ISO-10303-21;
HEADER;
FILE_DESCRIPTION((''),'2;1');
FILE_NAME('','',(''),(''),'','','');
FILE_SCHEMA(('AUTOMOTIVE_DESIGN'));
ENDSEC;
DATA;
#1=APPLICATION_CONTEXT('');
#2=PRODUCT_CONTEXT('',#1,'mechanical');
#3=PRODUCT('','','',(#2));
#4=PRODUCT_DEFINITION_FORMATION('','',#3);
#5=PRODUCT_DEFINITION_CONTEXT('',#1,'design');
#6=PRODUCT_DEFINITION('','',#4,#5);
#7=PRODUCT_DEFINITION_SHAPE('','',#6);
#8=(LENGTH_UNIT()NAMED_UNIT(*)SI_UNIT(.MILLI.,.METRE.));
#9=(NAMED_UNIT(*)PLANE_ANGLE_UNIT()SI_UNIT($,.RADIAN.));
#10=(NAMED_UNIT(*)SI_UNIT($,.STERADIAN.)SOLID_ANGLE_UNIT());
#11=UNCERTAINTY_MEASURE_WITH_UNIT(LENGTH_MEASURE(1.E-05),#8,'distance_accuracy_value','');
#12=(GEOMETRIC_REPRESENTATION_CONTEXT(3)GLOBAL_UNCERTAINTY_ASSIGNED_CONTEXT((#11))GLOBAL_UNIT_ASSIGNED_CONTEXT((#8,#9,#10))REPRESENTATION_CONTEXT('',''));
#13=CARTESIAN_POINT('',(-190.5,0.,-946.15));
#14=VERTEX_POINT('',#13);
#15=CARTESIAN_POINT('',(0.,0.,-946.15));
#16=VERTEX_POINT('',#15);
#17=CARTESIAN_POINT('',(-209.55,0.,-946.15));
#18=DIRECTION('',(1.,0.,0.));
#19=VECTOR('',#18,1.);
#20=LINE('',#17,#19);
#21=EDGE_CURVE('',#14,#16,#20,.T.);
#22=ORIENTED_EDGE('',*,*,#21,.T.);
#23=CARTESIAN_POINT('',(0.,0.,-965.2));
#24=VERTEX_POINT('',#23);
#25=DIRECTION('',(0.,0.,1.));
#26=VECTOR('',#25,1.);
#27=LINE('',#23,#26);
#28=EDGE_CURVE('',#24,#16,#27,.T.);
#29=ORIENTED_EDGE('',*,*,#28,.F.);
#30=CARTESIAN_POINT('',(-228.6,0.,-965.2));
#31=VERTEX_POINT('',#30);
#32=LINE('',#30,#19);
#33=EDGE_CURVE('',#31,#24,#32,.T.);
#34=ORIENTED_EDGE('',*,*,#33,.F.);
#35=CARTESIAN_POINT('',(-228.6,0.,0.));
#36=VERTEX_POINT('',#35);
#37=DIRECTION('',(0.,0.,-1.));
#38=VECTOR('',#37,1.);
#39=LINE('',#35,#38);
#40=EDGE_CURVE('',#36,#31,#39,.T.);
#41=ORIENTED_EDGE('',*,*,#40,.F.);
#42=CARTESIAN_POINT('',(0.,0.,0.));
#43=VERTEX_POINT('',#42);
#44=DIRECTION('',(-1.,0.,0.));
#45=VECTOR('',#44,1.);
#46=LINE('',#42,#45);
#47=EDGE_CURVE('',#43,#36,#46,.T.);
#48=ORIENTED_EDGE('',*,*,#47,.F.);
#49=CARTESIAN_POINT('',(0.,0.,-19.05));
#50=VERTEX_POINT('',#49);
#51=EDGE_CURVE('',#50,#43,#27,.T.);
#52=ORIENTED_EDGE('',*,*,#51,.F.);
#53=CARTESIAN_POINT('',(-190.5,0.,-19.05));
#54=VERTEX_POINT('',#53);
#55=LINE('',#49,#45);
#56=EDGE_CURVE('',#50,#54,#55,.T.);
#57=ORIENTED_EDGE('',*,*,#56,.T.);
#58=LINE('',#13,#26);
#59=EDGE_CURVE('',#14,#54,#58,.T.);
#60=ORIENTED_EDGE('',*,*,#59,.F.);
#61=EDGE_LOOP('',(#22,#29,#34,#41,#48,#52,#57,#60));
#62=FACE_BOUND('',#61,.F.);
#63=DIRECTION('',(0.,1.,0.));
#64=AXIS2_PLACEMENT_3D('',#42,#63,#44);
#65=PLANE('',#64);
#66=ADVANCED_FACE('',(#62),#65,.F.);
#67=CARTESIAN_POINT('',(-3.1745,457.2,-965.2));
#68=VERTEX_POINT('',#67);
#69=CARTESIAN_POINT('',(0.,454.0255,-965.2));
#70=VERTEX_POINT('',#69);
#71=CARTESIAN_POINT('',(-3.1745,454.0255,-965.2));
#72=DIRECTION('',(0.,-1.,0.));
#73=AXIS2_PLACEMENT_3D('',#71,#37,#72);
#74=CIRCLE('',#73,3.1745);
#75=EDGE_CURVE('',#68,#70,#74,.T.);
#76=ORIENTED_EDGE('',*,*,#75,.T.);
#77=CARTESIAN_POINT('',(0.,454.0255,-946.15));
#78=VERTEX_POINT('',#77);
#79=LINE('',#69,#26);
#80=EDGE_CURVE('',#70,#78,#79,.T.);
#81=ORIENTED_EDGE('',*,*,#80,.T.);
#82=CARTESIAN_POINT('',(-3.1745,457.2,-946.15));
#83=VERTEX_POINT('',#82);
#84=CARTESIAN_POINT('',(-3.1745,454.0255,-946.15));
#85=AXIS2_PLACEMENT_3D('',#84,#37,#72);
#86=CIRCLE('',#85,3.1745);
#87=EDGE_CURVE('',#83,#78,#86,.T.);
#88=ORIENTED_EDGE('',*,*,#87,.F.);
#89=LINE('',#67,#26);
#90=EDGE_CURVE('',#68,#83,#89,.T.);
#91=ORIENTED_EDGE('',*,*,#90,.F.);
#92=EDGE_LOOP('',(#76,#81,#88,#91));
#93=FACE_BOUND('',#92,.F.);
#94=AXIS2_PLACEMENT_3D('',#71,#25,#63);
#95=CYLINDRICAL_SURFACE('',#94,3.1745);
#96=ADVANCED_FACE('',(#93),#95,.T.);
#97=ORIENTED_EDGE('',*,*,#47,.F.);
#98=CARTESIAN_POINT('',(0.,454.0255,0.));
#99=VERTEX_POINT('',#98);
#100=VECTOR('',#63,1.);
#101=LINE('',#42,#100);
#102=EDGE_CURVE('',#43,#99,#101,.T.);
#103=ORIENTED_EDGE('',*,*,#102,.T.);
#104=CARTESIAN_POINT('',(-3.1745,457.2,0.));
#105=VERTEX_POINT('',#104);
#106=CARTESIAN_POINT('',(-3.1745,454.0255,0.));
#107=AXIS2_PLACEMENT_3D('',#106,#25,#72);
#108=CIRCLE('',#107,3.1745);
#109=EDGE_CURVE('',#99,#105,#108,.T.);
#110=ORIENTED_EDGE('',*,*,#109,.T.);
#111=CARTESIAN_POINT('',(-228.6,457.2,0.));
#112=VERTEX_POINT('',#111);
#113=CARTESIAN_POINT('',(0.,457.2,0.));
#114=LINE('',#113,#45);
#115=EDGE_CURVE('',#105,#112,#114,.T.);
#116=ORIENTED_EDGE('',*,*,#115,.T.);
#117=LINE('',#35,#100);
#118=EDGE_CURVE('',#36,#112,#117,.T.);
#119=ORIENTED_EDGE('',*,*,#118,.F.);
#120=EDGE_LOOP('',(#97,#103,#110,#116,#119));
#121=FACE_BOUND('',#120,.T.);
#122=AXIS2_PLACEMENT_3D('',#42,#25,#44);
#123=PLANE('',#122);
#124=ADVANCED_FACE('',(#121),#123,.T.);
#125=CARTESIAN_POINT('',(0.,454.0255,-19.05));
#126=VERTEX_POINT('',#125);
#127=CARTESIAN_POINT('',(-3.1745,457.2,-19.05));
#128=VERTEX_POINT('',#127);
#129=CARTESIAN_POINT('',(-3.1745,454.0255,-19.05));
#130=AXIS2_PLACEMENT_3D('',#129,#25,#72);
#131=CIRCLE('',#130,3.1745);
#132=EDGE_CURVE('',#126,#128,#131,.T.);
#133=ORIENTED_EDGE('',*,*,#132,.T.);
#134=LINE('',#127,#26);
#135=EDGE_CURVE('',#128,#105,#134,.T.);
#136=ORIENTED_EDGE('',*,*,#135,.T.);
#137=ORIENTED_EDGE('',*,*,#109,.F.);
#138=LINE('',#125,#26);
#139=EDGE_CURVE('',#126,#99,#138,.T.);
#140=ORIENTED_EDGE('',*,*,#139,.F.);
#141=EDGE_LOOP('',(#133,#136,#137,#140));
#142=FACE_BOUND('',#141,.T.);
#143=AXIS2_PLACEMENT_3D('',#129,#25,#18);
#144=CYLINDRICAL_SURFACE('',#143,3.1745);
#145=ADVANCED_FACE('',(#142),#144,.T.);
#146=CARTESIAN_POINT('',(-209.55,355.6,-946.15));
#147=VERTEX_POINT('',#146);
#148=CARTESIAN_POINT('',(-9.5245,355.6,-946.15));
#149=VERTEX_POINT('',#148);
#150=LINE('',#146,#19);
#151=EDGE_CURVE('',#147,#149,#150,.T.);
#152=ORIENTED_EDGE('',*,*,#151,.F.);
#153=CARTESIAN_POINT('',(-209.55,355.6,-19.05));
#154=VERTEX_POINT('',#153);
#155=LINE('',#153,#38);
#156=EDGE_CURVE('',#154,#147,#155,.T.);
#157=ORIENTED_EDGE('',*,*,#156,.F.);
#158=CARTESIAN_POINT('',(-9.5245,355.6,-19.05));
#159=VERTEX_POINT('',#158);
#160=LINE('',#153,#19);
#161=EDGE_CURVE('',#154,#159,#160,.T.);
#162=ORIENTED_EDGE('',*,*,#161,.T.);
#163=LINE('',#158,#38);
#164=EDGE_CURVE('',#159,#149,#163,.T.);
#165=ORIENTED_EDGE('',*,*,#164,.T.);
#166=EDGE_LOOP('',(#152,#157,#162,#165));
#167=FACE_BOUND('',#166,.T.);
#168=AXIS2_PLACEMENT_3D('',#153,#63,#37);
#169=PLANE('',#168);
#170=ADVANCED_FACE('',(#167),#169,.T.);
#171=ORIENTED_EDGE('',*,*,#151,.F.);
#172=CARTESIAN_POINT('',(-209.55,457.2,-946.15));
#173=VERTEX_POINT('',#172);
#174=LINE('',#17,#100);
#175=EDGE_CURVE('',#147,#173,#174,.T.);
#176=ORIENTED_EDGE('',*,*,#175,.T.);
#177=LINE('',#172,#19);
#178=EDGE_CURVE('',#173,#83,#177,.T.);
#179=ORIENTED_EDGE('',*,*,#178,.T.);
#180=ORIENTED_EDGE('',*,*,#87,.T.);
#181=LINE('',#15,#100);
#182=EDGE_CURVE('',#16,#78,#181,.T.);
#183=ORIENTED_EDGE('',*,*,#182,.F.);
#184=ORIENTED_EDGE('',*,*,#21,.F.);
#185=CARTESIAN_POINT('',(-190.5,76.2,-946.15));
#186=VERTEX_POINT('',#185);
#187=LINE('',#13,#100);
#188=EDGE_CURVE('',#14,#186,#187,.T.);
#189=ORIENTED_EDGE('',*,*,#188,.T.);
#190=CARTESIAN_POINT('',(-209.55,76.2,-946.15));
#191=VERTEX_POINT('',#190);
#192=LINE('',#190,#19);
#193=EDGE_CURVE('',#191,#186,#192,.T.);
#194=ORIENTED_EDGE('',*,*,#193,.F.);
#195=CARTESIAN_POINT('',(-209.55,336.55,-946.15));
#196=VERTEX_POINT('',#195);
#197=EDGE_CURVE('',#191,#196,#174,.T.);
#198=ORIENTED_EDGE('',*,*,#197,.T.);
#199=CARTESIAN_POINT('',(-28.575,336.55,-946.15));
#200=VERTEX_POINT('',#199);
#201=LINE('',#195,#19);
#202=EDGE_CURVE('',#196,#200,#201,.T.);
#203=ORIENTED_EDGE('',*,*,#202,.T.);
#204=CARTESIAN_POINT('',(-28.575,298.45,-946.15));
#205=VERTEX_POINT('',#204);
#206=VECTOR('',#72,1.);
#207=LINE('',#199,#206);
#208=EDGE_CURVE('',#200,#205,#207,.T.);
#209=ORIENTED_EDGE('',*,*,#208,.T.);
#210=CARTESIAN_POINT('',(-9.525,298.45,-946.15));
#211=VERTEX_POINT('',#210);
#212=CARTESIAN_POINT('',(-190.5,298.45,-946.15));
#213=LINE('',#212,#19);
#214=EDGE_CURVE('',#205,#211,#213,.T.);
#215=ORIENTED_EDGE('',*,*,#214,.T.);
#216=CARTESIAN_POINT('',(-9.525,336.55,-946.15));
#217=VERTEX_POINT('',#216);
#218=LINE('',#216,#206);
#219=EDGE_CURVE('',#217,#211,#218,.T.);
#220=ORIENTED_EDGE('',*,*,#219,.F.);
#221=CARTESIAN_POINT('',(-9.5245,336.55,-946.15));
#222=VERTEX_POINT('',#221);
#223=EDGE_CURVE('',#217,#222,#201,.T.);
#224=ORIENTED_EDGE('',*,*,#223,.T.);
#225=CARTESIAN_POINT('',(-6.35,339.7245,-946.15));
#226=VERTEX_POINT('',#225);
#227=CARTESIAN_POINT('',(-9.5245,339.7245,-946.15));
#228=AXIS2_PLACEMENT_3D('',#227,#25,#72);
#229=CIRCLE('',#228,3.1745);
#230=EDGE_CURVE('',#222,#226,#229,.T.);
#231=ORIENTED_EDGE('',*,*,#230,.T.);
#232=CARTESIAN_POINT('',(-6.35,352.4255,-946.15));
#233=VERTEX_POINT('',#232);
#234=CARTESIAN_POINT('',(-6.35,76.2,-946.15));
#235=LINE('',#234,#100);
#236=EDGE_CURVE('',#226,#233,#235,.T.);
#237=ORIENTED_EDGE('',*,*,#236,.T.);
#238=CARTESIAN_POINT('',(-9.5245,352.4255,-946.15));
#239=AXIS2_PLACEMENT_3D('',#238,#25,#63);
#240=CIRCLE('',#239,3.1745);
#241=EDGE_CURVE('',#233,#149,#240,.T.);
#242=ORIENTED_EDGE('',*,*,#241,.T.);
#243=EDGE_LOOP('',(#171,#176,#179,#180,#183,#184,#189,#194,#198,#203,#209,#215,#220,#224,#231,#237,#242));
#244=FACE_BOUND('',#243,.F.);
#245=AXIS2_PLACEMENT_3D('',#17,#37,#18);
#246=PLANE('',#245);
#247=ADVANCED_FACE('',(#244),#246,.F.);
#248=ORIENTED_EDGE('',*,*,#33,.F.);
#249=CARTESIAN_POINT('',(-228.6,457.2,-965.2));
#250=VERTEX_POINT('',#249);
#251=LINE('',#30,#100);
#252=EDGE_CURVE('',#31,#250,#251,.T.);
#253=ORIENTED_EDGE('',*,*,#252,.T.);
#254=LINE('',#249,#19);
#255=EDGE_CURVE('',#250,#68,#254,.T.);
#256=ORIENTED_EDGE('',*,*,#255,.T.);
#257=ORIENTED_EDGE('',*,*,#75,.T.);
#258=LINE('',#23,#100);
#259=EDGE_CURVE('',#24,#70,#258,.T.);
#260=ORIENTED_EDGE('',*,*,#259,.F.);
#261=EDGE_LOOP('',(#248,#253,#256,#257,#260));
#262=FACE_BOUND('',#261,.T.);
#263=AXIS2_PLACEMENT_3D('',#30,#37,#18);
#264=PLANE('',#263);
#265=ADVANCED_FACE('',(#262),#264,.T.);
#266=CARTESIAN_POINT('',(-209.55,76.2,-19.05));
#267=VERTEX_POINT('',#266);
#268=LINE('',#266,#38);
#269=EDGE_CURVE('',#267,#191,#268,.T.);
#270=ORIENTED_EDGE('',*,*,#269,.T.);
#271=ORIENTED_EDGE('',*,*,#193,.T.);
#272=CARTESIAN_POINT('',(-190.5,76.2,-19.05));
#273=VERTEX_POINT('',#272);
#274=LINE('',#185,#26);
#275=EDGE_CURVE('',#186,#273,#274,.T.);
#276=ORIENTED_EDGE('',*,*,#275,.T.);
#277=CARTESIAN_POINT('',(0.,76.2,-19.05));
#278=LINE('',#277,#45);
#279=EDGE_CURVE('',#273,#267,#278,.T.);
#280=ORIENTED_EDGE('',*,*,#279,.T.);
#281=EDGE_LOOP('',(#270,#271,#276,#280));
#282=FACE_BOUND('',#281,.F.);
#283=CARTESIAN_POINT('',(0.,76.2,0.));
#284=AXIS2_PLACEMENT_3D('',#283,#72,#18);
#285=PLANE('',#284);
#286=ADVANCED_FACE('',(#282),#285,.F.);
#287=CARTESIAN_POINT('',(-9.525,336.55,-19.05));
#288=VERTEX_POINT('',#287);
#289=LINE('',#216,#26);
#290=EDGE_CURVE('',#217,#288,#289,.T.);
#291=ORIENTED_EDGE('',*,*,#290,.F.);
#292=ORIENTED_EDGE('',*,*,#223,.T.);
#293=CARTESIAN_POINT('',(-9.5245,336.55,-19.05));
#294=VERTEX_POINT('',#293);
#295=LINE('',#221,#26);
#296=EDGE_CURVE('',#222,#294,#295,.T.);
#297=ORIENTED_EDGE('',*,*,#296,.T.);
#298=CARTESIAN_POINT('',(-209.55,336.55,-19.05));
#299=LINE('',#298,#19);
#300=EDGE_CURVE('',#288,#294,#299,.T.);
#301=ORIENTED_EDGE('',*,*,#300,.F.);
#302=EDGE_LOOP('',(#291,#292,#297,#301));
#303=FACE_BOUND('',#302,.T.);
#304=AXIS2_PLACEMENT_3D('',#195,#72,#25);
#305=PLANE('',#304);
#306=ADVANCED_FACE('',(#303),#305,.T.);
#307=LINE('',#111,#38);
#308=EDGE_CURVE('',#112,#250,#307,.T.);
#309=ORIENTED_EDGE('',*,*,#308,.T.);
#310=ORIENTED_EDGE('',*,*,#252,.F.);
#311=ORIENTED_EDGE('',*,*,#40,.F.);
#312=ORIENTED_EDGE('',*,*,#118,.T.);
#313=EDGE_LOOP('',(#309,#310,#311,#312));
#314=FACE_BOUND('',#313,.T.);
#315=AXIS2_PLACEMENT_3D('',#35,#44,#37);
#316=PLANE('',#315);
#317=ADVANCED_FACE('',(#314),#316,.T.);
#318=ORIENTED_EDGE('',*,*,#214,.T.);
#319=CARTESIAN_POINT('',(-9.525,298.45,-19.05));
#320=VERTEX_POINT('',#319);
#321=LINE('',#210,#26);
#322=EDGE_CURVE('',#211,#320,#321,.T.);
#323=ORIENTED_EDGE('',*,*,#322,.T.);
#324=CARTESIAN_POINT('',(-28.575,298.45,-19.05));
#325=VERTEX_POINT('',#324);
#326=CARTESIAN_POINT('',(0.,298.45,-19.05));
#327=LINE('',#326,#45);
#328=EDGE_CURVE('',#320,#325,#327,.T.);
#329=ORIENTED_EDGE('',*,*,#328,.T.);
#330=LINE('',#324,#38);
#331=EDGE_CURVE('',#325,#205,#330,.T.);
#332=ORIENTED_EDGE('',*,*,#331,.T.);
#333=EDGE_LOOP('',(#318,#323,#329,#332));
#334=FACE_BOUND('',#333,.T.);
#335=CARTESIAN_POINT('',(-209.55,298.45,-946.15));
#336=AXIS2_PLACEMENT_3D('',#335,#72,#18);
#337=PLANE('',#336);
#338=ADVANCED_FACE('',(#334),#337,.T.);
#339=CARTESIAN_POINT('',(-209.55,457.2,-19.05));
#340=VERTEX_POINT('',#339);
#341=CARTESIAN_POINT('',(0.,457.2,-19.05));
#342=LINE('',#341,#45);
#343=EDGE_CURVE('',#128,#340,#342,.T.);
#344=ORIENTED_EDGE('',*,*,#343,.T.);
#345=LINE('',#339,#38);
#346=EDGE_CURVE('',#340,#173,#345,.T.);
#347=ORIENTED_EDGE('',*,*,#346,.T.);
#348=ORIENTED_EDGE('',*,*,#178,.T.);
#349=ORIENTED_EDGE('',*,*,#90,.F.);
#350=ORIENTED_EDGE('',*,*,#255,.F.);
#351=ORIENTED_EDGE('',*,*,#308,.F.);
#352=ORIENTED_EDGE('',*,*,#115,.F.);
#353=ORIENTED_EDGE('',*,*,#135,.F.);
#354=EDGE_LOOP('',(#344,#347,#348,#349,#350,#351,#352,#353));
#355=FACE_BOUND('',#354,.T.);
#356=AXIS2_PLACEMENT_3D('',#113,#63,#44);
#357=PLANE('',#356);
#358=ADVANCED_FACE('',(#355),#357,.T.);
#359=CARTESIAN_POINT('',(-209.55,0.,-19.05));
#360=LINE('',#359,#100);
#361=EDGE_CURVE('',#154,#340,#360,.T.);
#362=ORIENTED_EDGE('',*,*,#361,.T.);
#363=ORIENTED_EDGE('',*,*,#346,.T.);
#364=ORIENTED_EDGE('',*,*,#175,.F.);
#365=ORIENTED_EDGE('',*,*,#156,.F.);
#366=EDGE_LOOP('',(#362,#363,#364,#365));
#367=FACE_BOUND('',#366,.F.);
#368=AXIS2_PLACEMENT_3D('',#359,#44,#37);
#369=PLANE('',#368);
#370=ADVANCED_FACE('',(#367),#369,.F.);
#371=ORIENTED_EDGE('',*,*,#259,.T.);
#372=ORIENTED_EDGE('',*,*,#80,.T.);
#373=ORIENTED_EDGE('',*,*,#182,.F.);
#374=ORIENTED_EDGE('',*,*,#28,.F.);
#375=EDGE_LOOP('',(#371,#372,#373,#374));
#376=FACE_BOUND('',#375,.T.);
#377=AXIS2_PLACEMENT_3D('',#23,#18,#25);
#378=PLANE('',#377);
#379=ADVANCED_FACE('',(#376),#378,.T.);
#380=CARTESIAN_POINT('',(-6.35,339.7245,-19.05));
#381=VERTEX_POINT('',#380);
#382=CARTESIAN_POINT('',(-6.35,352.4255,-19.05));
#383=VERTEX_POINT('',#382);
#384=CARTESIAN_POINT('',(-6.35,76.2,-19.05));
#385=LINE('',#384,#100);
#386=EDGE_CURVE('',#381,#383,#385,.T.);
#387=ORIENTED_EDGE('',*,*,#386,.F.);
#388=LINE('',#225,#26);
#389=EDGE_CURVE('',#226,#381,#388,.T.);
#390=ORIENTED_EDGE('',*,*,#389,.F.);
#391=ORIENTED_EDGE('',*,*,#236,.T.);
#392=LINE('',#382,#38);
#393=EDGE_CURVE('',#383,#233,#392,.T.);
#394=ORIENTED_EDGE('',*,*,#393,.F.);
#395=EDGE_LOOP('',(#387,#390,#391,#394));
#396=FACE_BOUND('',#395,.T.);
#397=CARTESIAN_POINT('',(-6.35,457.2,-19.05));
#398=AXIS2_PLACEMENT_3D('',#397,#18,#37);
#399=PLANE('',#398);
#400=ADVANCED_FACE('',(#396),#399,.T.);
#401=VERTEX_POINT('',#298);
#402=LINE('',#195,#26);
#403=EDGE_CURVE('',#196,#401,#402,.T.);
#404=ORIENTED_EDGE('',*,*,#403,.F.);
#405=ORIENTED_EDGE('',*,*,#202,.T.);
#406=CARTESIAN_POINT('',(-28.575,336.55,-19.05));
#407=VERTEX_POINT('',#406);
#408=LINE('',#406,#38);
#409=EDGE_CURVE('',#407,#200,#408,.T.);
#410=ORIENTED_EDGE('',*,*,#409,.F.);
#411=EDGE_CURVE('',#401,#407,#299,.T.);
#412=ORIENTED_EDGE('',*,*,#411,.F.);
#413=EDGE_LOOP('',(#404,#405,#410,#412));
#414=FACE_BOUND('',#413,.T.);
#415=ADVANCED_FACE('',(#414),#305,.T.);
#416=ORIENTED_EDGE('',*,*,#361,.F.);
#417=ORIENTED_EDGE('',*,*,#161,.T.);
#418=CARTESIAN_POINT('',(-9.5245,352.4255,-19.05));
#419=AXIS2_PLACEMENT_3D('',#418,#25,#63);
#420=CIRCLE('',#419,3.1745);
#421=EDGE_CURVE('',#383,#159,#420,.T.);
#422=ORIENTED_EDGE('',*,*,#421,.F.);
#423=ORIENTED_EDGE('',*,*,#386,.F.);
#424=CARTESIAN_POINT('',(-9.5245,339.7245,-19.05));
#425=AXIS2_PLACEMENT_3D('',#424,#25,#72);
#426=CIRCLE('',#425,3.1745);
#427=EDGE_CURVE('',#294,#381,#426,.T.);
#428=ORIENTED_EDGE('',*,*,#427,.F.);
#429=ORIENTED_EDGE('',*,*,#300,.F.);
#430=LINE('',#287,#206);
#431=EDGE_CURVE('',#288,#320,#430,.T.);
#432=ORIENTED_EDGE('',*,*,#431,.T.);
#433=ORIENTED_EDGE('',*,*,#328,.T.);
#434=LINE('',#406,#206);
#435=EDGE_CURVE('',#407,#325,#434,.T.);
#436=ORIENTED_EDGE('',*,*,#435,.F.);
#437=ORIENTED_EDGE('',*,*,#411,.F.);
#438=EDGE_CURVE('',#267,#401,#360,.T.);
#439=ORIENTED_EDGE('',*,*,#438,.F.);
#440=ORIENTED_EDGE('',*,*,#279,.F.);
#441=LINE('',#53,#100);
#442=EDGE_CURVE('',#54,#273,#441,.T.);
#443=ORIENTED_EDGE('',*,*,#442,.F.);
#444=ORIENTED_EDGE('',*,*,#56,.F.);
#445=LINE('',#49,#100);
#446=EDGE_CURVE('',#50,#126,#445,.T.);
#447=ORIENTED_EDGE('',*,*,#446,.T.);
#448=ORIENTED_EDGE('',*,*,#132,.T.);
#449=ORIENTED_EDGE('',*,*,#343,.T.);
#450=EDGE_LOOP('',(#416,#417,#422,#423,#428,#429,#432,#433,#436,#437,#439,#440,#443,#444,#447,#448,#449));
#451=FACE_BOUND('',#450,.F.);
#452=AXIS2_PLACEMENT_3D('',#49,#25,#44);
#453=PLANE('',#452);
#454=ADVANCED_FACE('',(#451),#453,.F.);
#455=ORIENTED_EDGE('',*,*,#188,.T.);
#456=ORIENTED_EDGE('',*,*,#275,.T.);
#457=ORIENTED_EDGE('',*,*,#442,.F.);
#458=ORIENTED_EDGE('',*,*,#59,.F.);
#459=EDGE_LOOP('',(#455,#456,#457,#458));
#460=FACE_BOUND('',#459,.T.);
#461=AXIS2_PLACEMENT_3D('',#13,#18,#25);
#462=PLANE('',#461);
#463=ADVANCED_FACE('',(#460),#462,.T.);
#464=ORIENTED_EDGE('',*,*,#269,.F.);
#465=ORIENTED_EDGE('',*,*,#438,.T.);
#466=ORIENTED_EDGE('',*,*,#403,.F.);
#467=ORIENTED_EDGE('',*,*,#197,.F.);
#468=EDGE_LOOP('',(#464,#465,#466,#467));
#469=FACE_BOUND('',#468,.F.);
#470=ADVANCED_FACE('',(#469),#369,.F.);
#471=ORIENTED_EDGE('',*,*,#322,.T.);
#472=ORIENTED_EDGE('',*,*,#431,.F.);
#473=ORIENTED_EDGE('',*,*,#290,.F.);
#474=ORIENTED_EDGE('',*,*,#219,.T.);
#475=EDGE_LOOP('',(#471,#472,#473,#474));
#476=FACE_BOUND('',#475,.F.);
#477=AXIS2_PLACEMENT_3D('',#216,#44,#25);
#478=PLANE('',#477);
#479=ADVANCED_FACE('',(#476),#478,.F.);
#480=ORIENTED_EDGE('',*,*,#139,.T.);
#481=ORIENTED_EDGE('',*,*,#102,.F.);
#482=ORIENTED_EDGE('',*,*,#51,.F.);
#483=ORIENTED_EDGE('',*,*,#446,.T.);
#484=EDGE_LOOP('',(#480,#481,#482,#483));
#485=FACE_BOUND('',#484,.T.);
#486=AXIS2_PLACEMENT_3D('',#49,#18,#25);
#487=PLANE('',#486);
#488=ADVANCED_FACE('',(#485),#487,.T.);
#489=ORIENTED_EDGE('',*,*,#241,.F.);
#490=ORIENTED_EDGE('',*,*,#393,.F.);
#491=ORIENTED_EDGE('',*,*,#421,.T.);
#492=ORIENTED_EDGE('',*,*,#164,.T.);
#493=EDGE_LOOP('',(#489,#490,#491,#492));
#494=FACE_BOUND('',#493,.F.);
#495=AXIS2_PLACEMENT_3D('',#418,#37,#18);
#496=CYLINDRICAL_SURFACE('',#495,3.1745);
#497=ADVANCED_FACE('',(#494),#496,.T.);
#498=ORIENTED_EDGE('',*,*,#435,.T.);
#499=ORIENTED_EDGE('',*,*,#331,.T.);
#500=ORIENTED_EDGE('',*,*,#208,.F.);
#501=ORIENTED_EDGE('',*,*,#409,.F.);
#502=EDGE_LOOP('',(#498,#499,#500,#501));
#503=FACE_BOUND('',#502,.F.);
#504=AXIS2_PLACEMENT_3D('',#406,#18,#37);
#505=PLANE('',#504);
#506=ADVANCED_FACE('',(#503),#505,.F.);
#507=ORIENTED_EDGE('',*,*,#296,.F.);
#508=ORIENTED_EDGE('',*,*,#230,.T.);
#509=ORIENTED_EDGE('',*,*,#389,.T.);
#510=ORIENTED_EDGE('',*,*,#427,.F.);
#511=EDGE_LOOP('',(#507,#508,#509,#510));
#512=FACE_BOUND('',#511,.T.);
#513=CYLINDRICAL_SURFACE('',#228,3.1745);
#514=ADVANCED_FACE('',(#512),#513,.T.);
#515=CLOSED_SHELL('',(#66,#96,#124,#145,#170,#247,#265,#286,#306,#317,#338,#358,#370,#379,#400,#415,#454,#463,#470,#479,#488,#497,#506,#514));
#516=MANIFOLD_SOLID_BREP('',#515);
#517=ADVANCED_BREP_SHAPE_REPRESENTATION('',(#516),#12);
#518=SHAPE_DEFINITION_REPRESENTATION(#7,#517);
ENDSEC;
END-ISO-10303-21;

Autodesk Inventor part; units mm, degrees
ref_plane "YZ Plane" through (0, 0, 0) normal (1, 0, 0) x (0, 1, 0)
ref_plane "XZ Plane" through (0, 0, 0) normal (0, 1, 0) x (-1, 0, 0)
ref_plane "XY Plane" through (0, 0, 0) normal (0, 0, 1) x (1, 0, 0)
sketch "Sketch1" plane through (0, 0, 0) normal (0, 1, 0) x (-1, 0, 0)
  line L0 (0, 0) -> (228.6, 0)
  line L1 (228.6, 0) -> (228.6, -965.2)
  line L2 (228.6, -965.2) -> (0, -965.2)
  line L3 (0, -965.2) -> (0, 0)
  line L4 (0, -19.05) -> (209.55, -19.05)
  line L5 (209.55, -19.05) -> (209.55, -946.15)
  line L6 (209.55, -946.15) -> (0, -946.15)
  line L7 (0, -946.15) -> (0, -19.05)
  point P0 (0, -946.15)
  dimension "d0" = 228.6
  dimension "d1" = 965.2
  dimension "d2" = 19.05
  dimension "d3" = 19.05
  dimension "d4" = 19.05
extrude "Extrusion1" add sketch "Sketch1" along normal blind 457.2 contours L0 L1 L2 L3 L6 L5 L4
sketch "Sketch2" plane through (0, 0, 0) normal (0, -1, 0) x (1, 0, 0)
  line L0 (0, -19.05) -> (-209.55, -19.05) projected
  line L1 (-209.55, -19.05) -> (-209.55, -946.15) projected
  line L2 (-190.5, -19.05) -> (-209.55, -19.05)
  line L3 (-209.55, -19.05) -> (-209.55, -946.15)
  line L4 (-209.55, -946.15) -> (-190.5, -946.15)
  line L5 (-190.5, -946.15) -> (-190.5, -19.05)
  point P0 (0, 0)
  dimension "d7" = 19.05
extrude "Extrusion2" add sketch "Sketch2" against normal blind 76.2
sketch "Sketch3" plane through (-209.55, 457.2, -19.05) normal (1, 0, 0) x (0, 0, -1)
  line L0 (0, -381) -> (927.1, -381) projected
  line L1 (927.1, -381) -> (927.1, 0) projected
  line L2 (0, 0) -> (927.1, 0) projected
  line L3 (0, -381) -> (0, 0) projected
  line L4 (0, -457.2) -> (0, 0) projected
  line L5 (927.1, -457.2) -> (927.1, 0) projected
  line L6 (0, -101.6) -> (927.1, -101.6)
  line L7 (927.1, -101.6) -> (927.1, -120.65)
  line L8 (927.1, -120.65) -> (0, -120.65)
  line L9 (0, -120.65) -> (0, -101.6)
  point P0 (-19.05, -457.2)
  point P1 (0, -120.65)
  point P2 (927.1, -120.65)
  point P3 (927.1, -101.6)
  dimension "d10" = 19.05
  dimension "d11" = 101.6
extrude "Extrusion3" add sketch "Sketch3" along normal blind 203.2 contours L3 L6 L1 L8
sketch "Sketch4" plane through (-209.55, 336.55, -946.15) normal (0, -1, 0) x (1, 0, 0)
  line L0 (209.55, 927.1) -> (19.05, 927.1) projected
  line L1 (19.05, 0) -> (209.55, 0) projected
  line L2 (200.025, 927.1) -> (180.975, 927.1)
  line L3 (180.975, 927.1) -> (180.975, 0)
  line L4 (180.975, 0) -> (200.025, 0)
  line L5 (200.025, 0) -> (200.025, 927.1)
  line L6 (203.2, 927.1) -> (203.2, 0) projected
  point P0 (209.55, 946.15)
  point P1 (200.025, 0)
  dimension "d14" = 19.05
  dimension "d15" = 3.175
extrude "Extrusion4" add sketch "Sketch4" along normal blind 38.1 contours L5 L1 L3 L0
fillet "Fillet1" radius 3.175 4 edges at (-6.35, 355.6, -482.6) (-6.35, 336.55, -482.6) (0, 457.2, -9.525) (0, 457.2, -955.675)
properties part number "Shelf" material "Wood (Birch)"
